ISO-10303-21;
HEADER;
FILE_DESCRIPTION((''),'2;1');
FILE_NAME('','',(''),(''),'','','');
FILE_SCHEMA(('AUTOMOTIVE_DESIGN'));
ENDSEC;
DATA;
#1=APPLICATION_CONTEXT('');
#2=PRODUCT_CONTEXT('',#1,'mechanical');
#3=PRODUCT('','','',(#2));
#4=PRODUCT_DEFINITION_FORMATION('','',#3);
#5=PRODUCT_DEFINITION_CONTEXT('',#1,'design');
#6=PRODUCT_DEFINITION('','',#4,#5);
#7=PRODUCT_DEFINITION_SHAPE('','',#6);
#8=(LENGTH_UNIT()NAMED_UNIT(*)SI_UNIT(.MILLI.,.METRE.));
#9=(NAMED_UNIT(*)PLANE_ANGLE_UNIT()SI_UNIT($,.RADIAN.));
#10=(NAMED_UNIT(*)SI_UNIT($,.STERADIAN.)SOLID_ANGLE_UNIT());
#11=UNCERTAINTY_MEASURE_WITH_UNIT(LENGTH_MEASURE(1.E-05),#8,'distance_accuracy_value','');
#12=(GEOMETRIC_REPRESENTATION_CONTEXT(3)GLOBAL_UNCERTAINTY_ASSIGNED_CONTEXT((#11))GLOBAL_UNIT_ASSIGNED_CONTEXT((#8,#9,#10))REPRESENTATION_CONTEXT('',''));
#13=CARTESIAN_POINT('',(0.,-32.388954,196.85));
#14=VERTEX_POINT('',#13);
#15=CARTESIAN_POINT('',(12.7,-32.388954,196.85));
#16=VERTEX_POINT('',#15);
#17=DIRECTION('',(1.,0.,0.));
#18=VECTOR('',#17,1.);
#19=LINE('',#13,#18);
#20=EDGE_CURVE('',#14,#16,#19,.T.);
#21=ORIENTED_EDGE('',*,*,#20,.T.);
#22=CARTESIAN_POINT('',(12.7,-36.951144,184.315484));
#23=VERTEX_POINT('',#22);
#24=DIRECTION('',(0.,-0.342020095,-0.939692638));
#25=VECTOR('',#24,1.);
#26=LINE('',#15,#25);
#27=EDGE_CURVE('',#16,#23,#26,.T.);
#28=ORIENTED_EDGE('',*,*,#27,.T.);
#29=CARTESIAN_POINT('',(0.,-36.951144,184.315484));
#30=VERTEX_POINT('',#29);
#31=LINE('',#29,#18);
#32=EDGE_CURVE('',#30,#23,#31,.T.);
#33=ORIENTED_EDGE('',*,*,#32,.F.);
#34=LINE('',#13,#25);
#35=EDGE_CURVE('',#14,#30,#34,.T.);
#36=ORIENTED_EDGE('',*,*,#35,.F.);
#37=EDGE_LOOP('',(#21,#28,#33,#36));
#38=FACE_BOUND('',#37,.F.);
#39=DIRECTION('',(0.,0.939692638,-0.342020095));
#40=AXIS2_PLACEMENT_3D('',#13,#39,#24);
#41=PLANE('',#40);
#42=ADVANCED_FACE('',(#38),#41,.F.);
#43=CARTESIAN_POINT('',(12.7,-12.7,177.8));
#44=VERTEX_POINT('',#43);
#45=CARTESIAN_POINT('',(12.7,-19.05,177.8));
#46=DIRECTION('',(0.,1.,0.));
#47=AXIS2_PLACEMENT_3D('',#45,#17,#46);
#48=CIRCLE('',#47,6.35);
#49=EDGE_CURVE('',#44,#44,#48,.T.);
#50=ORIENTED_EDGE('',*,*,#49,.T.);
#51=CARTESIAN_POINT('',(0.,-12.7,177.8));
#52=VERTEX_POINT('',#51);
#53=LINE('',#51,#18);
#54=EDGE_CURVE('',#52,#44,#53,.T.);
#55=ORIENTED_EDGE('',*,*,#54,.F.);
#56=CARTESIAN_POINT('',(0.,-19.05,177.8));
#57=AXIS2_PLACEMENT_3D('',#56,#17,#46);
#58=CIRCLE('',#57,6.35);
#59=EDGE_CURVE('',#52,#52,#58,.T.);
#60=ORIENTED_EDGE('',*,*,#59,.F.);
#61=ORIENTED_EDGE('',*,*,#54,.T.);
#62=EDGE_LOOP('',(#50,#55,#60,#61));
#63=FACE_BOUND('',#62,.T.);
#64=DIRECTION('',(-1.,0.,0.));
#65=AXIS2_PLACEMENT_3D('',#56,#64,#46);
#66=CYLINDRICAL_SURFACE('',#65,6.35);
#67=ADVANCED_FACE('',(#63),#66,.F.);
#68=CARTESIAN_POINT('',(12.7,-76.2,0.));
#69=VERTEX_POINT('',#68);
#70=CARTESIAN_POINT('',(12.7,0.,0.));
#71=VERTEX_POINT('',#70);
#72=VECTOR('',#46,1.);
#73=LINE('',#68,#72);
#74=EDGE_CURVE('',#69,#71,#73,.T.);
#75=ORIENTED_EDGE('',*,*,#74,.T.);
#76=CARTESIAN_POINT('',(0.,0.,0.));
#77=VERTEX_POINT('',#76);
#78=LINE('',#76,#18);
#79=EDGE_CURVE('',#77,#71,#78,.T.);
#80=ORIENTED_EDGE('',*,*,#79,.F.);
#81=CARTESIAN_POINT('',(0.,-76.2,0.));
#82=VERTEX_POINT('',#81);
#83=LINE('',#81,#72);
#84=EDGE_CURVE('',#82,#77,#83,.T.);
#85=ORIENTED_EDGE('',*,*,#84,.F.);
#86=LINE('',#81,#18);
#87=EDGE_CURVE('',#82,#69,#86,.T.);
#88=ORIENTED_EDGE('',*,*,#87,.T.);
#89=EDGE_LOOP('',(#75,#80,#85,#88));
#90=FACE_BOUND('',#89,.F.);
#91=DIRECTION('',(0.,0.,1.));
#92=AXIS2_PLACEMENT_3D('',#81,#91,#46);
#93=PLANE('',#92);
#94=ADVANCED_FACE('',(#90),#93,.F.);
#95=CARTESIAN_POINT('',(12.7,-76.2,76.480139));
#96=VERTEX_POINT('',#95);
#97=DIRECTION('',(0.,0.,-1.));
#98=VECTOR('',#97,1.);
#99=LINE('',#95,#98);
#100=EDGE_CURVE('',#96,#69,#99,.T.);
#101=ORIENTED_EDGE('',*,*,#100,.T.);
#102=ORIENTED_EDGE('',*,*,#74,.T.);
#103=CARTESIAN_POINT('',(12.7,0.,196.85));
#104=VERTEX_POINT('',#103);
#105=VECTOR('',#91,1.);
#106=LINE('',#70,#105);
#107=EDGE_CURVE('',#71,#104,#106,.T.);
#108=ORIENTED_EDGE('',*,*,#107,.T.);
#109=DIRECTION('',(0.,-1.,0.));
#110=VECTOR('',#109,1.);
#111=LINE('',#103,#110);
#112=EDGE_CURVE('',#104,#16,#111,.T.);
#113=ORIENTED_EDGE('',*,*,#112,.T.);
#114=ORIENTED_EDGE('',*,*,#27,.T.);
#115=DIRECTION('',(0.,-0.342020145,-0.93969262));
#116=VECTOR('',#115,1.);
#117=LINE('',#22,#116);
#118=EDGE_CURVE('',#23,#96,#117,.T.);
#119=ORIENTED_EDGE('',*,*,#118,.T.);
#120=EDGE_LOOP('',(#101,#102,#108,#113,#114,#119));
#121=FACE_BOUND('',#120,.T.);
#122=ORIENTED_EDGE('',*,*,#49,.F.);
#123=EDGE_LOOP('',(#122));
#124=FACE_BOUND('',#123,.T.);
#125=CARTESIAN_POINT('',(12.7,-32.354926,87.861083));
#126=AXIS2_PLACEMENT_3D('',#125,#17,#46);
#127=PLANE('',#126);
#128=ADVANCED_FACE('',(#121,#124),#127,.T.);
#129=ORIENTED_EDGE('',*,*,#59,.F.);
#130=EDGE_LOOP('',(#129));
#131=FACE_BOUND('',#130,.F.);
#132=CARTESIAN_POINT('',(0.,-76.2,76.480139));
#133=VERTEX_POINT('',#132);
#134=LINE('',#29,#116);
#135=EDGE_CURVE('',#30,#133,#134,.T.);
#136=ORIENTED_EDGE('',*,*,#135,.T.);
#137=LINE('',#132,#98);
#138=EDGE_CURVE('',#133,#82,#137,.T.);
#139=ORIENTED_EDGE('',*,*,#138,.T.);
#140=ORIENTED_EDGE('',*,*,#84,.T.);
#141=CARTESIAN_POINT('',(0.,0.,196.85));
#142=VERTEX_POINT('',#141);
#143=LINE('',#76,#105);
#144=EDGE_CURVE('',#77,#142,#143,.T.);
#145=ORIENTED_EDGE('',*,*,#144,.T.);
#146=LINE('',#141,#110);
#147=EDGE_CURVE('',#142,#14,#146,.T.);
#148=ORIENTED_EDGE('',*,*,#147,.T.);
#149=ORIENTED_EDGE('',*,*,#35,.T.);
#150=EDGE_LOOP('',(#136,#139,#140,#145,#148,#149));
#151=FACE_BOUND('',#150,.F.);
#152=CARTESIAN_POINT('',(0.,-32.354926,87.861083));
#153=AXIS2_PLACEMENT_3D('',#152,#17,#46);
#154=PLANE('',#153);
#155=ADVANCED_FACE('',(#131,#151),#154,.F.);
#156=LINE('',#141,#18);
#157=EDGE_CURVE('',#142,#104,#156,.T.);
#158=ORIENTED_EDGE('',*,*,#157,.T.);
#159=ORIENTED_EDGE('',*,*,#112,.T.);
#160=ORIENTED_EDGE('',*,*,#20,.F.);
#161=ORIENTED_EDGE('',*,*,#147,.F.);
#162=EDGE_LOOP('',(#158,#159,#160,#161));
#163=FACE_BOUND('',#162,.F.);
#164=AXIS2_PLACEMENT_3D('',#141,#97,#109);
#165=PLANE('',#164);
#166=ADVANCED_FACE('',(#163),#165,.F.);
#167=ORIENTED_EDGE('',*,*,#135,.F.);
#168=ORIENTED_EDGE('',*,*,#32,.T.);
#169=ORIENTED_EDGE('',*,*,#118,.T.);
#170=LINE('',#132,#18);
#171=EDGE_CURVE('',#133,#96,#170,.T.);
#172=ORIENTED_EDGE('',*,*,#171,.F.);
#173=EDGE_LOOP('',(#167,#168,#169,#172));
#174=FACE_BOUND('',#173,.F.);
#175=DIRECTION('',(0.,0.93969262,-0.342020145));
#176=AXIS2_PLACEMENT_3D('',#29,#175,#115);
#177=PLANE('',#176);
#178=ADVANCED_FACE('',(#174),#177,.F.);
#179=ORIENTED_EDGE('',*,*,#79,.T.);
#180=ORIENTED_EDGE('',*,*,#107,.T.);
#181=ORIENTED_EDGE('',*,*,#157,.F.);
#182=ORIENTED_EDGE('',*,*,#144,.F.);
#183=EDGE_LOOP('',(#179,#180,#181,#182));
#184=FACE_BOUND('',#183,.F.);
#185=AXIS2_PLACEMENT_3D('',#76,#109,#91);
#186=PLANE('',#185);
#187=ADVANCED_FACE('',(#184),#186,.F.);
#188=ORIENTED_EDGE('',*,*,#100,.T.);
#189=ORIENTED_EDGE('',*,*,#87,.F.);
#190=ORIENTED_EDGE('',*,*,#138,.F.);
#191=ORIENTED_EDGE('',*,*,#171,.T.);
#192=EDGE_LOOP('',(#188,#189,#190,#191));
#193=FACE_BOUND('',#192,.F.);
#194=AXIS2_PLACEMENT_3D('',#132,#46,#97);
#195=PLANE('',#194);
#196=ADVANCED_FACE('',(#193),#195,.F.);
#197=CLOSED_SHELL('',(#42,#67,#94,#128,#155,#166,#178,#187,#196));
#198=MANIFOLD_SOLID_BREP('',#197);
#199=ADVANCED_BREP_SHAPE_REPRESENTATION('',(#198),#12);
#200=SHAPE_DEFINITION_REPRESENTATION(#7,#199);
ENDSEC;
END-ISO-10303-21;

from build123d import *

# Parameters (mm, degrees)
F0_R     = 6.35
F1_DEPTH = 12.7


with BuildPart() as f1:
    # F0 (on Right) → F1 (new body)
    with BuildSketch(Plane.YZ):
        with BuildLine():
            Line((-76.2, 0), (0, 0))
            Line((0, 0), (0, 177.8))
            ThreePointArc((0, 177.8), (-5.579616, 191.270384), (-19.05, 196.85))
            ThreePointArc((-19.05, 196.85), (-29.976631, 193.404846), (-36.951144, 184.315484))
            Line((-36.951144, 184.315484), (-76.2, 76.480139))
            Line((-76.2, 76.480139), (-76.2, 0))
        make_face()
        with Locations((-19.05, 177.8)):
            Circle(F0_R, mode=Mode.SUBTRACT)
        with BuildLine():
            ThreePointArc((-19.05, 196.85), (-5.579616, 191.270384), (0, 177.8))
            Line((0, 177.8), (0, 196.85))
            Line((0, 196.85), (-19.05, 196.85))
        make_face()
        with BuildLine():
            ThreePointArc((-36.951144, 184.315484), (-29.976631, 193.404846), (-19.05, 196.85))
            Line((-19.05, 196.85), (-32.388954, 196.85))
            Line((-32.388954, 196.85), (-36.951144, 184.315484))
        make_face()
    extrude(amount=F1_DEPTH)


solid = f1.part
